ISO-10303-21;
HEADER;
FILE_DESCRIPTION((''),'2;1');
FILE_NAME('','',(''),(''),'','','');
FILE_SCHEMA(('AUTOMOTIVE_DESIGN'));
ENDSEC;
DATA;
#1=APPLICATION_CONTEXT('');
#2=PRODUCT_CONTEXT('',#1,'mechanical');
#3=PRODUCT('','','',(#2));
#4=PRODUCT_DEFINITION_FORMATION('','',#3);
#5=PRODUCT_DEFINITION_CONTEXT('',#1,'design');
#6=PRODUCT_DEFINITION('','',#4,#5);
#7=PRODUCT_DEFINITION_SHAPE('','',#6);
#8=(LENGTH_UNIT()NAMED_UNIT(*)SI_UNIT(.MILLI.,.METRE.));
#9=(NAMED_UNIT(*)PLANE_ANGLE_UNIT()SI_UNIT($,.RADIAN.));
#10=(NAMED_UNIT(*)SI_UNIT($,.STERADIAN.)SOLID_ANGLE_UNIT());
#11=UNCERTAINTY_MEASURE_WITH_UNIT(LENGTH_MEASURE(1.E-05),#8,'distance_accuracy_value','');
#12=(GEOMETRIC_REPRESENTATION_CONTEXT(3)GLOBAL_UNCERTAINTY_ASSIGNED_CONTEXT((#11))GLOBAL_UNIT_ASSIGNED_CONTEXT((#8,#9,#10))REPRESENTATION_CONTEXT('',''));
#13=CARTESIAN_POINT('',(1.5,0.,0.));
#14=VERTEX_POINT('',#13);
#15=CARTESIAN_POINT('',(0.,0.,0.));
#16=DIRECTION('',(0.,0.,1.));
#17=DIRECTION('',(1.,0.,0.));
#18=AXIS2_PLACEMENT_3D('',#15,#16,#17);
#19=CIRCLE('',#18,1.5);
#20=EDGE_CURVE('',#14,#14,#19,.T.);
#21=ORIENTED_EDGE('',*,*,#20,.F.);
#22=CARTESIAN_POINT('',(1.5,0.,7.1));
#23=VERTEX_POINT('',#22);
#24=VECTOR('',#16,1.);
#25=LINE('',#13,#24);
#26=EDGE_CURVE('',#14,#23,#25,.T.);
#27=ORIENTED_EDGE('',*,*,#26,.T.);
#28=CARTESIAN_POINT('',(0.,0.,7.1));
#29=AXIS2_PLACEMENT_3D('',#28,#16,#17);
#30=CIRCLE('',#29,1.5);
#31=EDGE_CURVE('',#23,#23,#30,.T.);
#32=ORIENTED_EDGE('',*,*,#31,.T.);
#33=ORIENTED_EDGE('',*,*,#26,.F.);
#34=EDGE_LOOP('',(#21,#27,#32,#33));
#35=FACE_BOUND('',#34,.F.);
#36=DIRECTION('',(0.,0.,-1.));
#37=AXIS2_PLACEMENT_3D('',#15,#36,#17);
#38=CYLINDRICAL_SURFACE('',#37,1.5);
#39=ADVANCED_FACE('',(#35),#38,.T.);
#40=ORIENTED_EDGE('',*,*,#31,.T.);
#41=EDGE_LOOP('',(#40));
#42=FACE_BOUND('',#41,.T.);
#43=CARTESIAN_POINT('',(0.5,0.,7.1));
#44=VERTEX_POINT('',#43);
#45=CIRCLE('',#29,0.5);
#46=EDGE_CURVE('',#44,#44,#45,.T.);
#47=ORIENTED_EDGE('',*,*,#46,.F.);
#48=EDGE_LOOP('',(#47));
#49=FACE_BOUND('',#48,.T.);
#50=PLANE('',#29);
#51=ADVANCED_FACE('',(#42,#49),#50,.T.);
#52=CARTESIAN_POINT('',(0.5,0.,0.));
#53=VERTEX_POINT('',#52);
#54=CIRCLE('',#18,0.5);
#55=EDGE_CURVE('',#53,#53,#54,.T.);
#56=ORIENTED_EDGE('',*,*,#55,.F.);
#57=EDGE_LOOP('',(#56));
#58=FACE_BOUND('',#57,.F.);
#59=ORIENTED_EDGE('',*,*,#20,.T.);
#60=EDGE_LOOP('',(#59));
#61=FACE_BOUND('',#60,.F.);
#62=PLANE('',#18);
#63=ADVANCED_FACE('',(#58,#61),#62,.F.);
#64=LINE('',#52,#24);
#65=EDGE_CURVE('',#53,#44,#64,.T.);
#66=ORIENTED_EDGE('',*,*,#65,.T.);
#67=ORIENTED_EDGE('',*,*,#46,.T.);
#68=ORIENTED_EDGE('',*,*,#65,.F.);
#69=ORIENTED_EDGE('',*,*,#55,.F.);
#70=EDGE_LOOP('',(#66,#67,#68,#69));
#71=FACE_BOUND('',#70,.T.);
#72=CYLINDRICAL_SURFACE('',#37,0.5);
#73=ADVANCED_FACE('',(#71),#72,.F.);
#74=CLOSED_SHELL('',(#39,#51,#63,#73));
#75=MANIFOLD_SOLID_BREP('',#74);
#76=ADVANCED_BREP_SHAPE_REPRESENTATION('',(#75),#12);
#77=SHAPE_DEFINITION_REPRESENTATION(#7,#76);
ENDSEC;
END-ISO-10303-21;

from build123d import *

# Parameters (mm, degrees)
SKETCH_R   = 1.5
SKETCH_R_2 = 0.5
PAD_DEPTH  = 7.1


with BuildPart() as part:
    # Sketch → Pad (new body)
    with BuildSketch(Plane.XY):
        Circle(SKETCH_R)
        Circle(SKETCH_R_2, mode=Mode.SUBTRACT)
    extrude(amount=PAD_DEPTH)


solid = part.part
